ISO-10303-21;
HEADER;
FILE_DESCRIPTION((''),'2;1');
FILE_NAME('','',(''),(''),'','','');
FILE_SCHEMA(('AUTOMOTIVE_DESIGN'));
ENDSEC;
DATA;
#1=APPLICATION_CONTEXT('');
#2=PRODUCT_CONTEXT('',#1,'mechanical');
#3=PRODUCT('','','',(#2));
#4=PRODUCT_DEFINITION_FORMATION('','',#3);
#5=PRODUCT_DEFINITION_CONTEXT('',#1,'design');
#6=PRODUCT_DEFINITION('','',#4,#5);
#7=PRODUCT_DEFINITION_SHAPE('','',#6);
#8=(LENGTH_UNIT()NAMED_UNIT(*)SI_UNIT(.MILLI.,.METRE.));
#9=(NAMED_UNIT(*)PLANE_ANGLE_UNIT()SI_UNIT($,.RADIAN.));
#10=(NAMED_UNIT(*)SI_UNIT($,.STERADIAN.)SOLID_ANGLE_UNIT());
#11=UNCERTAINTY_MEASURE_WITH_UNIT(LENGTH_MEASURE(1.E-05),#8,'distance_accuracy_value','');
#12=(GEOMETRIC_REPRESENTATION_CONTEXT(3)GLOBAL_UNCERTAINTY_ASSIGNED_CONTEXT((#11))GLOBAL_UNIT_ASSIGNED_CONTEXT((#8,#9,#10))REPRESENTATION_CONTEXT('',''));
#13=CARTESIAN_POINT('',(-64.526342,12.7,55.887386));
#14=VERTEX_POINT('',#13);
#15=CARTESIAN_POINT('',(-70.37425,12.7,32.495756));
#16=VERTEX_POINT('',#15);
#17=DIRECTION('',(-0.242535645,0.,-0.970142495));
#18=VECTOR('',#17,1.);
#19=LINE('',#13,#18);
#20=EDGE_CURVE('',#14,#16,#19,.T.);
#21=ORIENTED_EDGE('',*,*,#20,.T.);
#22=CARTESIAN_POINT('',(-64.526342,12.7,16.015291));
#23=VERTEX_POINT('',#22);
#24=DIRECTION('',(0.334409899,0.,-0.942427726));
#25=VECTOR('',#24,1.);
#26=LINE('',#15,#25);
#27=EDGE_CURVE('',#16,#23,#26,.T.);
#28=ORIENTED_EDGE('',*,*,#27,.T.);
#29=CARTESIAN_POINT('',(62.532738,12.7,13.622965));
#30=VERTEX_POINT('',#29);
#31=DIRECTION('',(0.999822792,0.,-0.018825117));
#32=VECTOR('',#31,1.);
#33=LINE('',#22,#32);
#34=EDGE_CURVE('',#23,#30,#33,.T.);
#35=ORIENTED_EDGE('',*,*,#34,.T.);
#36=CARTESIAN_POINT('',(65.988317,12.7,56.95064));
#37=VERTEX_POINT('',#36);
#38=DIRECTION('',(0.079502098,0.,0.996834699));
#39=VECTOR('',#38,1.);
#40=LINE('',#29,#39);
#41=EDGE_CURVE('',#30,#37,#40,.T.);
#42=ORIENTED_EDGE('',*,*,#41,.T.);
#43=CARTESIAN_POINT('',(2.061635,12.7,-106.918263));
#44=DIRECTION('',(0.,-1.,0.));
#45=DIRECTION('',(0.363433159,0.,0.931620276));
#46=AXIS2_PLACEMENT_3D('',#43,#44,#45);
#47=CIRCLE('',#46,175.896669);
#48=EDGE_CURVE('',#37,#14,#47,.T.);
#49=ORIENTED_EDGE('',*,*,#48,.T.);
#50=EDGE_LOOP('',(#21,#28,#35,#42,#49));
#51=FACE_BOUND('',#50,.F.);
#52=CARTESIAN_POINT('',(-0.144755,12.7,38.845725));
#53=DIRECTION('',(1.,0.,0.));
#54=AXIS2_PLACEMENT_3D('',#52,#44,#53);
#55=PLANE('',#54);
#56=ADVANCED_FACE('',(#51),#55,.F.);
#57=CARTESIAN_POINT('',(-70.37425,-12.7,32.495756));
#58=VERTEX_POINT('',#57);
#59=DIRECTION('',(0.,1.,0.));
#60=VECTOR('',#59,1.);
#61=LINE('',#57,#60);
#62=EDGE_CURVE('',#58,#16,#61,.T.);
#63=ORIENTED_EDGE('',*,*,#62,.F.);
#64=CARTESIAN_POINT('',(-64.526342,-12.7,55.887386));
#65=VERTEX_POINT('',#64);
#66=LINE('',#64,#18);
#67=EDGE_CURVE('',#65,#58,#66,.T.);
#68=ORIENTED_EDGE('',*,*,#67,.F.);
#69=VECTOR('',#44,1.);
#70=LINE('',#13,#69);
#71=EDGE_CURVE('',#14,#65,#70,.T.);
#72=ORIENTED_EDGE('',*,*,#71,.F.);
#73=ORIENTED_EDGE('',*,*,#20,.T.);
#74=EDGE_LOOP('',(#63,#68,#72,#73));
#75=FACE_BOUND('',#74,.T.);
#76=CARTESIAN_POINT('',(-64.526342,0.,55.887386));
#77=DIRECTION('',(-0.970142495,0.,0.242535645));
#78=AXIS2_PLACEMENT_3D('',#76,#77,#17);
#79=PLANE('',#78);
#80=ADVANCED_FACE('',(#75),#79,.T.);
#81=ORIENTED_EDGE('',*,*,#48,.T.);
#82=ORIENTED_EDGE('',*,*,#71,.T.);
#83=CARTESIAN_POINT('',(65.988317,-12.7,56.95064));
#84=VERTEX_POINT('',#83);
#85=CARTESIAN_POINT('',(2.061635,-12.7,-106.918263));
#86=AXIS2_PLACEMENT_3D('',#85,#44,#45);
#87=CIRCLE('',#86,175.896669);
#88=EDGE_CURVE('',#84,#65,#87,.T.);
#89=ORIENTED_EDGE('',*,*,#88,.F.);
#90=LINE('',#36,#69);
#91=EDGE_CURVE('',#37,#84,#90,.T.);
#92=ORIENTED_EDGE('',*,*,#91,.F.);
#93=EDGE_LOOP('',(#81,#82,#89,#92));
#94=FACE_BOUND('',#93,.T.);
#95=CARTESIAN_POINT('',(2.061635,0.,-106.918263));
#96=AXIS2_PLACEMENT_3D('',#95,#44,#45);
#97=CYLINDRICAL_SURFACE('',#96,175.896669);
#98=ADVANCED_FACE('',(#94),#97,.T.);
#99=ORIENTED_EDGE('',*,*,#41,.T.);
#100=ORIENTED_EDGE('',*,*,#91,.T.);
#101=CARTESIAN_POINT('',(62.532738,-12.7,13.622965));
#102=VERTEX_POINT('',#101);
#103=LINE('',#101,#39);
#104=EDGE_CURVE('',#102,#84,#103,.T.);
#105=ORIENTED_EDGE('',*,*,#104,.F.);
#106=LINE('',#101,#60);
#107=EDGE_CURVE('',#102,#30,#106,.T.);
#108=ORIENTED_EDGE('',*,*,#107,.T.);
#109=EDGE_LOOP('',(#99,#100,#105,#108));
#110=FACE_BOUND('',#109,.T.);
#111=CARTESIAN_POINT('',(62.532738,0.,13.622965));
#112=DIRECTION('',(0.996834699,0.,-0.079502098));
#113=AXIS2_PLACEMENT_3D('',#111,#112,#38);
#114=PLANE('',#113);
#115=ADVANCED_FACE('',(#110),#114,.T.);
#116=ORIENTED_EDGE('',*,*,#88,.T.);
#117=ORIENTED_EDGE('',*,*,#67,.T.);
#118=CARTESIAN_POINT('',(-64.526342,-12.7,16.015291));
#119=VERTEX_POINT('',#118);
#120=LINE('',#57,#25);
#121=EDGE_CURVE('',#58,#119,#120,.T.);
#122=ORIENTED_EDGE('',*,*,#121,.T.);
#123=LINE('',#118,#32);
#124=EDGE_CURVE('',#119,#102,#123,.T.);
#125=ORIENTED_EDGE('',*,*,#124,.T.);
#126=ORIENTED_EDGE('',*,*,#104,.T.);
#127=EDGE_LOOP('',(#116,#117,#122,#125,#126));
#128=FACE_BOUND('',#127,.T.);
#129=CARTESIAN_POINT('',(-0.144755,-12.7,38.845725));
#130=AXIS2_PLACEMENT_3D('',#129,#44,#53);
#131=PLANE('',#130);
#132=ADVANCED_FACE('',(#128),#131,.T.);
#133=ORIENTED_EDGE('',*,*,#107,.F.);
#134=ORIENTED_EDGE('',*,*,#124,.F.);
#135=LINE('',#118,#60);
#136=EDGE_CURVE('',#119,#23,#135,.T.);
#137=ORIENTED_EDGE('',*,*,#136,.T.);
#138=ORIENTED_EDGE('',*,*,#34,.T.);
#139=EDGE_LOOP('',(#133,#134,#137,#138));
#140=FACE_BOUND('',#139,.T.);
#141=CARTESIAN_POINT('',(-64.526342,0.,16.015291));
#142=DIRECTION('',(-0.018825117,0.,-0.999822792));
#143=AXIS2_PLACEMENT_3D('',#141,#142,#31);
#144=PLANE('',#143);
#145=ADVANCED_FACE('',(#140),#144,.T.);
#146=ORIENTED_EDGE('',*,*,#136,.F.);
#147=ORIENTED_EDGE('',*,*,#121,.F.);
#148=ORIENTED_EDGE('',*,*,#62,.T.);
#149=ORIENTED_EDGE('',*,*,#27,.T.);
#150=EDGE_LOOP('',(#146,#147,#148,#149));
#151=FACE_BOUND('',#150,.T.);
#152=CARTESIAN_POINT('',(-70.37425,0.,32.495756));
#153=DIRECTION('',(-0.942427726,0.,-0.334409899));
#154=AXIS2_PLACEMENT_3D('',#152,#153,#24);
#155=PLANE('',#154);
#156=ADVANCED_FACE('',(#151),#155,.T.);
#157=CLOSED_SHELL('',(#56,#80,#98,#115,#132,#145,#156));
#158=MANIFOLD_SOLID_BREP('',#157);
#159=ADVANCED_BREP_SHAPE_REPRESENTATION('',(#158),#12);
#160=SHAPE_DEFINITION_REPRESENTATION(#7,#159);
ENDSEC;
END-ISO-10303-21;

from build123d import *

# Parameters (mm, degrees)
F1_DEPTH = 12.7


with BuildPart() as f1:
    # F0 (on Front) → F1 (new body, symmetric)
    with BuildSketch(Plane.XZ):
        with BuildLine():
            Line((62.532738, 13.622965), (65.988317, 56.95064))
            ThreePointArc((65.988317, 56.95064), (0.628719, 68.972569), (-64.526342, 55.887386))
            Line((-64.526342, 55.887386), (-70.37425, 32.495756))
            Line((-70.37425, 32.495756), (-64.526342, 16.015291))
            Line((-64.526342, 16.015291), (62.532738, 13.622965))
        make_face()
    extrude(amount=F1_DEPTH, both=True)


solid = f1.part
